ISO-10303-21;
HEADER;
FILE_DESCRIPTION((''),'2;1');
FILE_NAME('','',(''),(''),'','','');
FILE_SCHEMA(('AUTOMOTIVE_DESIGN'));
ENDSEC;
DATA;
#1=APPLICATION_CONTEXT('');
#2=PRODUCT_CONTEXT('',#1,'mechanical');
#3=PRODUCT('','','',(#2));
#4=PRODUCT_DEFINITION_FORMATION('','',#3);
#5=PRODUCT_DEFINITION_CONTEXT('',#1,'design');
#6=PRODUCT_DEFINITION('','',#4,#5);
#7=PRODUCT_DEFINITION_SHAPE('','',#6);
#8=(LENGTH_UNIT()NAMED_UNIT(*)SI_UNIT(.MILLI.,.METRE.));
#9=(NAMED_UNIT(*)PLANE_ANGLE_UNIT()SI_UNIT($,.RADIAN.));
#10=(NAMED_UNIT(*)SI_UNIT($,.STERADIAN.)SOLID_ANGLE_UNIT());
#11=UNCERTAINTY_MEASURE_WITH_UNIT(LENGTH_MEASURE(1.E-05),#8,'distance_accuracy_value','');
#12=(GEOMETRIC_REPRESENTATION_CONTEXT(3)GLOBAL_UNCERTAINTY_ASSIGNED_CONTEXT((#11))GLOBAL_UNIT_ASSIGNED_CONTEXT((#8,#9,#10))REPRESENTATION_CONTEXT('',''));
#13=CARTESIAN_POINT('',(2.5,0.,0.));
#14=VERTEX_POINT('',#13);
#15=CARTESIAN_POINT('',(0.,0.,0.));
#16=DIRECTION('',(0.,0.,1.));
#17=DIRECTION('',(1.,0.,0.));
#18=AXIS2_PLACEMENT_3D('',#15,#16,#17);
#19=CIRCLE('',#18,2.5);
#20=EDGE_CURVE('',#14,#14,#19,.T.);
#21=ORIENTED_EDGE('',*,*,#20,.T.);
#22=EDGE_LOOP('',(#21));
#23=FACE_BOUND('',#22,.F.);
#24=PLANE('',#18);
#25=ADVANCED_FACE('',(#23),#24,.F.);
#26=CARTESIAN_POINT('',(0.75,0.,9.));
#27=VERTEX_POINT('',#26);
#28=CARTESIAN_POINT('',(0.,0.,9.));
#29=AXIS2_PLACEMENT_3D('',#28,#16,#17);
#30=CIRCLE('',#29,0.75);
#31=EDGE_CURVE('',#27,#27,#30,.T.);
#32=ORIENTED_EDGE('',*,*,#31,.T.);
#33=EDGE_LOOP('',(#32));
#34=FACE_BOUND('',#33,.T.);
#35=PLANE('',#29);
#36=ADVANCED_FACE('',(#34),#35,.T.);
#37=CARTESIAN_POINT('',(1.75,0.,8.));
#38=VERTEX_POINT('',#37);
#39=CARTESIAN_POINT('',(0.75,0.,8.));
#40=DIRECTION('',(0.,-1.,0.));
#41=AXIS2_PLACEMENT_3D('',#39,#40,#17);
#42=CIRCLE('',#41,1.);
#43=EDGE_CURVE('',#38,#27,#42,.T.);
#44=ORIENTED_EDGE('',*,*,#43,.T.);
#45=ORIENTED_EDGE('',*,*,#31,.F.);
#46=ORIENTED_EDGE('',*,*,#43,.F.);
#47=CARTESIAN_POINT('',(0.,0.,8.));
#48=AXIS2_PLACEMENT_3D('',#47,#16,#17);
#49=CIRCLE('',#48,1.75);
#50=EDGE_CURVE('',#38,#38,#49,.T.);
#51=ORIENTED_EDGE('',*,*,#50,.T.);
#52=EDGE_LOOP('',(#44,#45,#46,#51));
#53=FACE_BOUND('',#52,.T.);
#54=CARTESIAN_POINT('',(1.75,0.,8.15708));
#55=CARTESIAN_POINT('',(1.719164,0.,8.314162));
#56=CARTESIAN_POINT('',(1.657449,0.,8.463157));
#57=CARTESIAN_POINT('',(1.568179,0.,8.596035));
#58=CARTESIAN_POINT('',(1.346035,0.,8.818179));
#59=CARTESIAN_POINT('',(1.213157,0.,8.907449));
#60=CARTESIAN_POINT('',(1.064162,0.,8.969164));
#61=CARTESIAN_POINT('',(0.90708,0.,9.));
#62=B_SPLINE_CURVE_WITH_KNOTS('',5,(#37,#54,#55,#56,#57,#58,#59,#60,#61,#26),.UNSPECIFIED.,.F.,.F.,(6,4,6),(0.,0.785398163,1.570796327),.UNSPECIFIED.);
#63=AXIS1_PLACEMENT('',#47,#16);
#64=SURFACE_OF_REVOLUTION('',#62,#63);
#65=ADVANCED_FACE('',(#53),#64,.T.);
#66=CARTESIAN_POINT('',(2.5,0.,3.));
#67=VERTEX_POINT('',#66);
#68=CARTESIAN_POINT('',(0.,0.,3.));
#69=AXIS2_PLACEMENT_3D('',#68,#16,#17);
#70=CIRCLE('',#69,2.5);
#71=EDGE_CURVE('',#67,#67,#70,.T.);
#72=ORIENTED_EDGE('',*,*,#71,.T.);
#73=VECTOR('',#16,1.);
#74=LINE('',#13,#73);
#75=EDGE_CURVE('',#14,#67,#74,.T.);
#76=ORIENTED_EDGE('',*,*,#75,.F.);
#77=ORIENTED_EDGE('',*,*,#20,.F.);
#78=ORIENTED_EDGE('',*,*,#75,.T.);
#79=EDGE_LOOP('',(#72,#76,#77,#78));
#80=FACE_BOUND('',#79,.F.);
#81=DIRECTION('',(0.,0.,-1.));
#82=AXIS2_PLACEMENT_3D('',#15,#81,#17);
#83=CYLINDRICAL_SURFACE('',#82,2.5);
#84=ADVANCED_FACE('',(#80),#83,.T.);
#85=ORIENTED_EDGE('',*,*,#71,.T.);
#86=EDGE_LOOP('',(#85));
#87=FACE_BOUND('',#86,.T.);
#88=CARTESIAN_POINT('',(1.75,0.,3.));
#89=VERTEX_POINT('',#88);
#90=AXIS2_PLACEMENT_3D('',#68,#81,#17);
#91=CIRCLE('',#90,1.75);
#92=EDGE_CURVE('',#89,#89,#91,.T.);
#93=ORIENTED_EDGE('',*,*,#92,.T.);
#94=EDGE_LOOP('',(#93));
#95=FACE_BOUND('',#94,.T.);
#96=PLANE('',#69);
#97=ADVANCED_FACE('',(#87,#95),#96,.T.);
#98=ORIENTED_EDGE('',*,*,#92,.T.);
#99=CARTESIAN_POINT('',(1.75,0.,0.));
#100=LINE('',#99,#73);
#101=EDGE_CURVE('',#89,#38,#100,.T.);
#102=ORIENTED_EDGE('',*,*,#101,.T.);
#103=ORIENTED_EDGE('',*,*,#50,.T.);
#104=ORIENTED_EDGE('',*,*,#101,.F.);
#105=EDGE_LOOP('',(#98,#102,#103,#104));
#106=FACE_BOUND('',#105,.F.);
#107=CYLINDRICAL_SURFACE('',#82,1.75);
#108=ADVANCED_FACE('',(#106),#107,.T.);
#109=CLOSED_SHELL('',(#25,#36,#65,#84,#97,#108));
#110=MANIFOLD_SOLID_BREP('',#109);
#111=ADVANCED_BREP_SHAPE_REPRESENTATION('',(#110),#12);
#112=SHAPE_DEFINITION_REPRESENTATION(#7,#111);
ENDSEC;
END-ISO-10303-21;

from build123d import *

# Parameters (mm, degrees)
CYLINDER001_R     = 1.75
CYLINDER001_DEPTH = 9
CYLINDER_R        = 2.5
CYLINDER_DEPTH    = 3
FILLET_R          = 1


with BuildPart() as cilindro001:
    # Cylinder001 → Cylinder001 (new body)
    with BuildSketch(Plane.XY):
        Circle(CYLINDER001_R)
    extrude(amount=CYLINDER001_DEPTH)


with BuildPart() as fillet_body:
    # Cylinder → Cylinder (new body)
    with BuildSketch(Plane.XY):
        Circle(CYLINDER_R)
    extrude(amount=CYLINDER_DEPTH)

    # Fusion: union Cilindro001
    add(cilindro001.part)

    # Fillet
    fillet_edges = [fillet_body.edges().sort_by_distance(p)[0] for p in [
        (-1.75, 0, 9),
    ]]
    fillet(fillet_edges, radius=FILLET_R)


solid = fillet_body.part
